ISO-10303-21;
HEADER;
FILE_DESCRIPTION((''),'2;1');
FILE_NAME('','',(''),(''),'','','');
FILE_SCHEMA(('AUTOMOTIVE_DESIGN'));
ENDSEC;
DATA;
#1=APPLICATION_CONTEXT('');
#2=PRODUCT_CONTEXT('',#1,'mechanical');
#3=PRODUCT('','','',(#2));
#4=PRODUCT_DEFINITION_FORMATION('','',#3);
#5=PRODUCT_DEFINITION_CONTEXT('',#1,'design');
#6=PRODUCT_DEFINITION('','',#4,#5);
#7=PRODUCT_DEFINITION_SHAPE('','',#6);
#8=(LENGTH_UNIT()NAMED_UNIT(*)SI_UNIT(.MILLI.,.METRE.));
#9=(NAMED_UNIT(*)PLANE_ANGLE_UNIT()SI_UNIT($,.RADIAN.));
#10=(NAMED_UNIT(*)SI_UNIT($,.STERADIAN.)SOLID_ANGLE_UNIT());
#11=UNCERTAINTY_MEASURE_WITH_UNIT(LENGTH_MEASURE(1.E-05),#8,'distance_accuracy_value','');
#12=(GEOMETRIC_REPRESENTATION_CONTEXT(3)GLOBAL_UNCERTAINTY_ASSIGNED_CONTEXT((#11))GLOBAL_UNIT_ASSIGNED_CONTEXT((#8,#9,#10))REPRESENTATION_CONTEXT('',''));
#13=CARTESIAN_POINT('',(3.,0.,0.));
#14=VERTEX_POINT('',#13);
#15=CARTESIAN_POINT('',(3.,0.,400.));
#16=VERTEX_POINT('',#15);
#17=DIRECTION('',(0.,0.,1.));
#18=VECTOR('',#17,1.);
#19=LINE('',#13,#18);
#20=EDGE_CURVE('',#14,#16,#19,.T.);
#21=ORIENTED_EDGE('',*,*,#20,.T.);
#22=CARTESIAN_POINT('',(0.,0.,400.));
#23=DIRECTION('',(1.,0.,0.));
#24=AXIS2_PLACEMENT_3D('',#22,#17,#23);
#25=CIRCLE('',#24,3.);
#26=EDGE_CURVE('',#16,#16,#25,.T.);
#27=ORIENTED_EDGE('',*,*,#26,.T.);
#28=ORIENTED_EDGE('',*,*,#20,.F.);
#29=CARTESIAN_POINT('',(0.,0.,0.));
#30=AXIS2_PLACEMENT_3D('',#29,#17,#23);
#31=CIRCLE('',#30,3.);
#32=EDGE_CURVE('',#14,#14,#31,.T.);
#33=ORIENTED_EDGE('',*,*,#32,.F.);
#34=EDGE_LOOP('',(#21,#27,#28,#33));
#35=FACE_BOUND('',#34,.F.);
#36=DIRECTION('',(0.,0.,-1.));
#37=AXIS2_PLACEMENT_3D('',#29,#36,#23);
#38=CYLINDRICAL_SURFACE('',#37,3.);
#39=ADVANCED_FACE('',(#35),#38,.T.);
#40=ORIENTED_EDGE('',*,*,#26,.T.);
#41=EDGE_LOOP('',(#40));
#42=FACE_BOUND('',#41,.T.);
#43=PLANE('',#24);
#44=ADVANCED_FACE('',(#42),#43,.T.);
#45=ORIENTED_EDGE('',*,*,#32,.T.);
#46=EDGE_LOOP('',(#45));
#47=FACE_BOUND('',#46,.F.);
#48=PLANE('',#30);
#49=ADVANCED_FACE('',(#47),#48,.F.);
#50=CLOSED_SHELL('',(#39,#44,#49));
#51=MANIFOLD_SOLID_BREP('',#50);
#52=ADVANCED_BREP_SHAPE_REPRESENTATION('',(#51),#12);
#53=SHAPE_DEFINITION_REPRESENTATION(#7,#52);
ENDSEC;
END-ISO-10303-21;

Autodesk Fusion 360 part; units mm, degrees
sketch "Boceto1" plane through (0, 0, 0) normal (0, 0, 1) x (1, 0, 0)
  circle A0 centre (0, 0) radius 3
  dimension "d1" = 6
extrude "Extruir1" add sketch "Boceto1" along normal blind 400
